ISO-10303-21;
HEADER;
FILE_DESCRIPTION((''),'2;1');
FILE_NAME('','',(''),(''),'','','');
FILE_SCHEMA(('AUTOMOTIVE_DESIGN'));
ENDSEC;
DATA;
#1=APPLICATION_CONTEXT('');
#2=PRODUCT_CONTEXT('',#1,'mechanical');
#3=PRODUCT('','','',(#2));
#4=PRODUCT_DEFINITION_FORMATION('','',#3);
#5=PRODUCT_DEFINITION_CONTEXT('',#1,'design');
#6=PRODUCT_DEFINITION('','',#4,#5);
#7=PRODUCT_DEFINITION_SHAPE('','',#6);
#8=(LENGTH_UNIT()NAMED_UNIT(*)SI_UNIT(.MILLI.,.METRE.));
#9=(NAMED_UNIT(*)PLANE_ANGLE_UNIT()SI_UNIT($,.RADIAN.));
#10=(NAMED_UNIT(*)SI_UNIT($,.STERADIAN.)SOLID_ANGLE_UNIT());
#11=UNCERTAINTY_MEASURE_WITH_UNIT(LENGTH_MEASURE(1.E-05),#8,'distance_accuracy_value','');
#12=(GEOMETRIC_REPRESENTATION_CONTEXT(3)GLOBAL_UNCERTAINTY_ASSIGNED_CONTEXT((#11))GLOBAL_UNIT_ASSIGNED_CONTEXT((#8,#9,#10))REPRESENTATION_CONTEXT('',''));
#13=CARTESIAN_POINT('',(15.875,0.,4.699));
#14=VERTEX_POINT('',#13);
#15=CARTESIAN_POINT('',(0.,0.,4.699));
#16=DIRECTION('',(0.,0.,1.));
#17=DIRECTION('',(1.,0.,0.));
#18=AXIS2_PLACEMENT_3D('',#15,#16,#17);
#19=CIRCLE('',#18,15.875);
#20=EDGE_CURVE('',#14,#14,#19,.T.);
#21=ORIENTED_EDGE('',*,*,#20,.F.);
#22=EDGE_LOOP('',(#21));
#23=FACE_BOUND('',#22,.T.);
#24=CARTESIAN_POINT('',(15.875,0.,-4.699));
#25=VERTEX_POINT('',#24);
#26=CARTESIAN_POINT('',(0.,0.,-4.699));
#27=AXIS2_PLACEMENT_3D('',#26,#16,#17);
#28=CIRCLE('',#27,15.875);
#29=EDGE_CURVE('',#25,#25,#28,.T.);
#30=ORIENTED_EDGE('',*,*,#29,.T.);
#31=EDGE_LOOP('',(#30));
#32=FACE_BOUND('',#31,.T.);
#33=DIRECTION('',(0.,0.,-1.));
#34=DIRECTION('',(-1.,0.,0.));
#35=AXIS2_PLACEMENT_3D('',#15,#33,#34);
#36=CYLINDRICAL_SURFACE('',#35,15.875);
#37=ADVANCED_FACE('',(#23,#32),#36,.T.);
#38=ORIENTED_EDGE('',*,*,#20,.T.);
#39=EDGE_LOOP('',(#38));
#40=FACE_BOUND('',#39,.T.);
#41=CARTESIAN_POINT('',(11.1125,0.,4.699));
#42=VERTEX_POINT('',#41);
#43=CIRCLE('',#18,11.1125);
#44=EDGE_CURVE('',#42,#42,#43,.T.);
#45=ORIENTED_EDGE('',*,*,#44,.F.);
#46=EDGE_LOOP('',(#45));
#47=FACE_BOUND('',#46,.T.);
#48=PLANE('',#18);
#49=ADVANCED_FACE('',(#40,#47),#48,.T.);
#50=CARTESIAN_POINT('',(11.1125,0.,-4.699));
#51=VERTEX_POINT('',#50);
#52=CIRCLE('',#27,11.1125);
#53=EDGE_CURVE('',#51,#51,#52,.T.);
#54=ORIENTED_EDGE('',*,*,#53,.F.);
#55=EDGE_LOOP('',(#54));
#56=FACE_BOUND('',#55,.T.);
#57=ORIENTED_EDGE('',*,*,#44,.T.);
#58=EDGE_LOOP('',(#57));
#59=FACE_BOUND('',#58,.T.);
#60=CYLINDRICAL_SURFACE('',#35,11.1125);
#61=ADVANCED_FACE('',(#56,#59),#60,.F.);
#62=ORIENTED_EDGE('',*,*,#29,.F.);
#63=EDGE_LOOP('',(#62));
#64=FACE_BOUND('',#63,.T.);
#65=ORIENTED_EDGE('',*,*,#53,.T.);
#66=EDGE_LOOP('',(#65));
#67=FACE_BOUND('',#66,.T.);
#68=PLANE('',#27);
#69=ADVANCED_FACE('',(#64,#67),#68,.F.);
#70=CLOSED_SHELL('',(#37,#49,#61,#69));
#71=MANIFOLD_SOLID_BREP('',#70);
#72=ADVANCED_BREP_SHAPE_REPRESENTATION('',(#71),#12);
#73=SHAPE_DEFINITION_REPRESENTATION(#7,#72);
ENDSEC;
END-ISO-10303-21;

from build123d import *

# Parameters (mm, degrees)
SKETCH1_R           = 15.875
SKETCH1_R_2         = 11.1125
BOSS_EXTRUDE1_DEPTH = 4.699


with BuildPart() as part:
    # Sketch1 → Boss-Extrude1 (new body, symmetric)
    with BuildSketch(Plane.XY):
        Circle(SKETCH1_R)
        Circle(SKETCH1_R_2, mode=Mode.SUBTRACT)
    extrude(amount=BOSS_EXTRUDE1_DEPTH, both=True)


solid = part.part
